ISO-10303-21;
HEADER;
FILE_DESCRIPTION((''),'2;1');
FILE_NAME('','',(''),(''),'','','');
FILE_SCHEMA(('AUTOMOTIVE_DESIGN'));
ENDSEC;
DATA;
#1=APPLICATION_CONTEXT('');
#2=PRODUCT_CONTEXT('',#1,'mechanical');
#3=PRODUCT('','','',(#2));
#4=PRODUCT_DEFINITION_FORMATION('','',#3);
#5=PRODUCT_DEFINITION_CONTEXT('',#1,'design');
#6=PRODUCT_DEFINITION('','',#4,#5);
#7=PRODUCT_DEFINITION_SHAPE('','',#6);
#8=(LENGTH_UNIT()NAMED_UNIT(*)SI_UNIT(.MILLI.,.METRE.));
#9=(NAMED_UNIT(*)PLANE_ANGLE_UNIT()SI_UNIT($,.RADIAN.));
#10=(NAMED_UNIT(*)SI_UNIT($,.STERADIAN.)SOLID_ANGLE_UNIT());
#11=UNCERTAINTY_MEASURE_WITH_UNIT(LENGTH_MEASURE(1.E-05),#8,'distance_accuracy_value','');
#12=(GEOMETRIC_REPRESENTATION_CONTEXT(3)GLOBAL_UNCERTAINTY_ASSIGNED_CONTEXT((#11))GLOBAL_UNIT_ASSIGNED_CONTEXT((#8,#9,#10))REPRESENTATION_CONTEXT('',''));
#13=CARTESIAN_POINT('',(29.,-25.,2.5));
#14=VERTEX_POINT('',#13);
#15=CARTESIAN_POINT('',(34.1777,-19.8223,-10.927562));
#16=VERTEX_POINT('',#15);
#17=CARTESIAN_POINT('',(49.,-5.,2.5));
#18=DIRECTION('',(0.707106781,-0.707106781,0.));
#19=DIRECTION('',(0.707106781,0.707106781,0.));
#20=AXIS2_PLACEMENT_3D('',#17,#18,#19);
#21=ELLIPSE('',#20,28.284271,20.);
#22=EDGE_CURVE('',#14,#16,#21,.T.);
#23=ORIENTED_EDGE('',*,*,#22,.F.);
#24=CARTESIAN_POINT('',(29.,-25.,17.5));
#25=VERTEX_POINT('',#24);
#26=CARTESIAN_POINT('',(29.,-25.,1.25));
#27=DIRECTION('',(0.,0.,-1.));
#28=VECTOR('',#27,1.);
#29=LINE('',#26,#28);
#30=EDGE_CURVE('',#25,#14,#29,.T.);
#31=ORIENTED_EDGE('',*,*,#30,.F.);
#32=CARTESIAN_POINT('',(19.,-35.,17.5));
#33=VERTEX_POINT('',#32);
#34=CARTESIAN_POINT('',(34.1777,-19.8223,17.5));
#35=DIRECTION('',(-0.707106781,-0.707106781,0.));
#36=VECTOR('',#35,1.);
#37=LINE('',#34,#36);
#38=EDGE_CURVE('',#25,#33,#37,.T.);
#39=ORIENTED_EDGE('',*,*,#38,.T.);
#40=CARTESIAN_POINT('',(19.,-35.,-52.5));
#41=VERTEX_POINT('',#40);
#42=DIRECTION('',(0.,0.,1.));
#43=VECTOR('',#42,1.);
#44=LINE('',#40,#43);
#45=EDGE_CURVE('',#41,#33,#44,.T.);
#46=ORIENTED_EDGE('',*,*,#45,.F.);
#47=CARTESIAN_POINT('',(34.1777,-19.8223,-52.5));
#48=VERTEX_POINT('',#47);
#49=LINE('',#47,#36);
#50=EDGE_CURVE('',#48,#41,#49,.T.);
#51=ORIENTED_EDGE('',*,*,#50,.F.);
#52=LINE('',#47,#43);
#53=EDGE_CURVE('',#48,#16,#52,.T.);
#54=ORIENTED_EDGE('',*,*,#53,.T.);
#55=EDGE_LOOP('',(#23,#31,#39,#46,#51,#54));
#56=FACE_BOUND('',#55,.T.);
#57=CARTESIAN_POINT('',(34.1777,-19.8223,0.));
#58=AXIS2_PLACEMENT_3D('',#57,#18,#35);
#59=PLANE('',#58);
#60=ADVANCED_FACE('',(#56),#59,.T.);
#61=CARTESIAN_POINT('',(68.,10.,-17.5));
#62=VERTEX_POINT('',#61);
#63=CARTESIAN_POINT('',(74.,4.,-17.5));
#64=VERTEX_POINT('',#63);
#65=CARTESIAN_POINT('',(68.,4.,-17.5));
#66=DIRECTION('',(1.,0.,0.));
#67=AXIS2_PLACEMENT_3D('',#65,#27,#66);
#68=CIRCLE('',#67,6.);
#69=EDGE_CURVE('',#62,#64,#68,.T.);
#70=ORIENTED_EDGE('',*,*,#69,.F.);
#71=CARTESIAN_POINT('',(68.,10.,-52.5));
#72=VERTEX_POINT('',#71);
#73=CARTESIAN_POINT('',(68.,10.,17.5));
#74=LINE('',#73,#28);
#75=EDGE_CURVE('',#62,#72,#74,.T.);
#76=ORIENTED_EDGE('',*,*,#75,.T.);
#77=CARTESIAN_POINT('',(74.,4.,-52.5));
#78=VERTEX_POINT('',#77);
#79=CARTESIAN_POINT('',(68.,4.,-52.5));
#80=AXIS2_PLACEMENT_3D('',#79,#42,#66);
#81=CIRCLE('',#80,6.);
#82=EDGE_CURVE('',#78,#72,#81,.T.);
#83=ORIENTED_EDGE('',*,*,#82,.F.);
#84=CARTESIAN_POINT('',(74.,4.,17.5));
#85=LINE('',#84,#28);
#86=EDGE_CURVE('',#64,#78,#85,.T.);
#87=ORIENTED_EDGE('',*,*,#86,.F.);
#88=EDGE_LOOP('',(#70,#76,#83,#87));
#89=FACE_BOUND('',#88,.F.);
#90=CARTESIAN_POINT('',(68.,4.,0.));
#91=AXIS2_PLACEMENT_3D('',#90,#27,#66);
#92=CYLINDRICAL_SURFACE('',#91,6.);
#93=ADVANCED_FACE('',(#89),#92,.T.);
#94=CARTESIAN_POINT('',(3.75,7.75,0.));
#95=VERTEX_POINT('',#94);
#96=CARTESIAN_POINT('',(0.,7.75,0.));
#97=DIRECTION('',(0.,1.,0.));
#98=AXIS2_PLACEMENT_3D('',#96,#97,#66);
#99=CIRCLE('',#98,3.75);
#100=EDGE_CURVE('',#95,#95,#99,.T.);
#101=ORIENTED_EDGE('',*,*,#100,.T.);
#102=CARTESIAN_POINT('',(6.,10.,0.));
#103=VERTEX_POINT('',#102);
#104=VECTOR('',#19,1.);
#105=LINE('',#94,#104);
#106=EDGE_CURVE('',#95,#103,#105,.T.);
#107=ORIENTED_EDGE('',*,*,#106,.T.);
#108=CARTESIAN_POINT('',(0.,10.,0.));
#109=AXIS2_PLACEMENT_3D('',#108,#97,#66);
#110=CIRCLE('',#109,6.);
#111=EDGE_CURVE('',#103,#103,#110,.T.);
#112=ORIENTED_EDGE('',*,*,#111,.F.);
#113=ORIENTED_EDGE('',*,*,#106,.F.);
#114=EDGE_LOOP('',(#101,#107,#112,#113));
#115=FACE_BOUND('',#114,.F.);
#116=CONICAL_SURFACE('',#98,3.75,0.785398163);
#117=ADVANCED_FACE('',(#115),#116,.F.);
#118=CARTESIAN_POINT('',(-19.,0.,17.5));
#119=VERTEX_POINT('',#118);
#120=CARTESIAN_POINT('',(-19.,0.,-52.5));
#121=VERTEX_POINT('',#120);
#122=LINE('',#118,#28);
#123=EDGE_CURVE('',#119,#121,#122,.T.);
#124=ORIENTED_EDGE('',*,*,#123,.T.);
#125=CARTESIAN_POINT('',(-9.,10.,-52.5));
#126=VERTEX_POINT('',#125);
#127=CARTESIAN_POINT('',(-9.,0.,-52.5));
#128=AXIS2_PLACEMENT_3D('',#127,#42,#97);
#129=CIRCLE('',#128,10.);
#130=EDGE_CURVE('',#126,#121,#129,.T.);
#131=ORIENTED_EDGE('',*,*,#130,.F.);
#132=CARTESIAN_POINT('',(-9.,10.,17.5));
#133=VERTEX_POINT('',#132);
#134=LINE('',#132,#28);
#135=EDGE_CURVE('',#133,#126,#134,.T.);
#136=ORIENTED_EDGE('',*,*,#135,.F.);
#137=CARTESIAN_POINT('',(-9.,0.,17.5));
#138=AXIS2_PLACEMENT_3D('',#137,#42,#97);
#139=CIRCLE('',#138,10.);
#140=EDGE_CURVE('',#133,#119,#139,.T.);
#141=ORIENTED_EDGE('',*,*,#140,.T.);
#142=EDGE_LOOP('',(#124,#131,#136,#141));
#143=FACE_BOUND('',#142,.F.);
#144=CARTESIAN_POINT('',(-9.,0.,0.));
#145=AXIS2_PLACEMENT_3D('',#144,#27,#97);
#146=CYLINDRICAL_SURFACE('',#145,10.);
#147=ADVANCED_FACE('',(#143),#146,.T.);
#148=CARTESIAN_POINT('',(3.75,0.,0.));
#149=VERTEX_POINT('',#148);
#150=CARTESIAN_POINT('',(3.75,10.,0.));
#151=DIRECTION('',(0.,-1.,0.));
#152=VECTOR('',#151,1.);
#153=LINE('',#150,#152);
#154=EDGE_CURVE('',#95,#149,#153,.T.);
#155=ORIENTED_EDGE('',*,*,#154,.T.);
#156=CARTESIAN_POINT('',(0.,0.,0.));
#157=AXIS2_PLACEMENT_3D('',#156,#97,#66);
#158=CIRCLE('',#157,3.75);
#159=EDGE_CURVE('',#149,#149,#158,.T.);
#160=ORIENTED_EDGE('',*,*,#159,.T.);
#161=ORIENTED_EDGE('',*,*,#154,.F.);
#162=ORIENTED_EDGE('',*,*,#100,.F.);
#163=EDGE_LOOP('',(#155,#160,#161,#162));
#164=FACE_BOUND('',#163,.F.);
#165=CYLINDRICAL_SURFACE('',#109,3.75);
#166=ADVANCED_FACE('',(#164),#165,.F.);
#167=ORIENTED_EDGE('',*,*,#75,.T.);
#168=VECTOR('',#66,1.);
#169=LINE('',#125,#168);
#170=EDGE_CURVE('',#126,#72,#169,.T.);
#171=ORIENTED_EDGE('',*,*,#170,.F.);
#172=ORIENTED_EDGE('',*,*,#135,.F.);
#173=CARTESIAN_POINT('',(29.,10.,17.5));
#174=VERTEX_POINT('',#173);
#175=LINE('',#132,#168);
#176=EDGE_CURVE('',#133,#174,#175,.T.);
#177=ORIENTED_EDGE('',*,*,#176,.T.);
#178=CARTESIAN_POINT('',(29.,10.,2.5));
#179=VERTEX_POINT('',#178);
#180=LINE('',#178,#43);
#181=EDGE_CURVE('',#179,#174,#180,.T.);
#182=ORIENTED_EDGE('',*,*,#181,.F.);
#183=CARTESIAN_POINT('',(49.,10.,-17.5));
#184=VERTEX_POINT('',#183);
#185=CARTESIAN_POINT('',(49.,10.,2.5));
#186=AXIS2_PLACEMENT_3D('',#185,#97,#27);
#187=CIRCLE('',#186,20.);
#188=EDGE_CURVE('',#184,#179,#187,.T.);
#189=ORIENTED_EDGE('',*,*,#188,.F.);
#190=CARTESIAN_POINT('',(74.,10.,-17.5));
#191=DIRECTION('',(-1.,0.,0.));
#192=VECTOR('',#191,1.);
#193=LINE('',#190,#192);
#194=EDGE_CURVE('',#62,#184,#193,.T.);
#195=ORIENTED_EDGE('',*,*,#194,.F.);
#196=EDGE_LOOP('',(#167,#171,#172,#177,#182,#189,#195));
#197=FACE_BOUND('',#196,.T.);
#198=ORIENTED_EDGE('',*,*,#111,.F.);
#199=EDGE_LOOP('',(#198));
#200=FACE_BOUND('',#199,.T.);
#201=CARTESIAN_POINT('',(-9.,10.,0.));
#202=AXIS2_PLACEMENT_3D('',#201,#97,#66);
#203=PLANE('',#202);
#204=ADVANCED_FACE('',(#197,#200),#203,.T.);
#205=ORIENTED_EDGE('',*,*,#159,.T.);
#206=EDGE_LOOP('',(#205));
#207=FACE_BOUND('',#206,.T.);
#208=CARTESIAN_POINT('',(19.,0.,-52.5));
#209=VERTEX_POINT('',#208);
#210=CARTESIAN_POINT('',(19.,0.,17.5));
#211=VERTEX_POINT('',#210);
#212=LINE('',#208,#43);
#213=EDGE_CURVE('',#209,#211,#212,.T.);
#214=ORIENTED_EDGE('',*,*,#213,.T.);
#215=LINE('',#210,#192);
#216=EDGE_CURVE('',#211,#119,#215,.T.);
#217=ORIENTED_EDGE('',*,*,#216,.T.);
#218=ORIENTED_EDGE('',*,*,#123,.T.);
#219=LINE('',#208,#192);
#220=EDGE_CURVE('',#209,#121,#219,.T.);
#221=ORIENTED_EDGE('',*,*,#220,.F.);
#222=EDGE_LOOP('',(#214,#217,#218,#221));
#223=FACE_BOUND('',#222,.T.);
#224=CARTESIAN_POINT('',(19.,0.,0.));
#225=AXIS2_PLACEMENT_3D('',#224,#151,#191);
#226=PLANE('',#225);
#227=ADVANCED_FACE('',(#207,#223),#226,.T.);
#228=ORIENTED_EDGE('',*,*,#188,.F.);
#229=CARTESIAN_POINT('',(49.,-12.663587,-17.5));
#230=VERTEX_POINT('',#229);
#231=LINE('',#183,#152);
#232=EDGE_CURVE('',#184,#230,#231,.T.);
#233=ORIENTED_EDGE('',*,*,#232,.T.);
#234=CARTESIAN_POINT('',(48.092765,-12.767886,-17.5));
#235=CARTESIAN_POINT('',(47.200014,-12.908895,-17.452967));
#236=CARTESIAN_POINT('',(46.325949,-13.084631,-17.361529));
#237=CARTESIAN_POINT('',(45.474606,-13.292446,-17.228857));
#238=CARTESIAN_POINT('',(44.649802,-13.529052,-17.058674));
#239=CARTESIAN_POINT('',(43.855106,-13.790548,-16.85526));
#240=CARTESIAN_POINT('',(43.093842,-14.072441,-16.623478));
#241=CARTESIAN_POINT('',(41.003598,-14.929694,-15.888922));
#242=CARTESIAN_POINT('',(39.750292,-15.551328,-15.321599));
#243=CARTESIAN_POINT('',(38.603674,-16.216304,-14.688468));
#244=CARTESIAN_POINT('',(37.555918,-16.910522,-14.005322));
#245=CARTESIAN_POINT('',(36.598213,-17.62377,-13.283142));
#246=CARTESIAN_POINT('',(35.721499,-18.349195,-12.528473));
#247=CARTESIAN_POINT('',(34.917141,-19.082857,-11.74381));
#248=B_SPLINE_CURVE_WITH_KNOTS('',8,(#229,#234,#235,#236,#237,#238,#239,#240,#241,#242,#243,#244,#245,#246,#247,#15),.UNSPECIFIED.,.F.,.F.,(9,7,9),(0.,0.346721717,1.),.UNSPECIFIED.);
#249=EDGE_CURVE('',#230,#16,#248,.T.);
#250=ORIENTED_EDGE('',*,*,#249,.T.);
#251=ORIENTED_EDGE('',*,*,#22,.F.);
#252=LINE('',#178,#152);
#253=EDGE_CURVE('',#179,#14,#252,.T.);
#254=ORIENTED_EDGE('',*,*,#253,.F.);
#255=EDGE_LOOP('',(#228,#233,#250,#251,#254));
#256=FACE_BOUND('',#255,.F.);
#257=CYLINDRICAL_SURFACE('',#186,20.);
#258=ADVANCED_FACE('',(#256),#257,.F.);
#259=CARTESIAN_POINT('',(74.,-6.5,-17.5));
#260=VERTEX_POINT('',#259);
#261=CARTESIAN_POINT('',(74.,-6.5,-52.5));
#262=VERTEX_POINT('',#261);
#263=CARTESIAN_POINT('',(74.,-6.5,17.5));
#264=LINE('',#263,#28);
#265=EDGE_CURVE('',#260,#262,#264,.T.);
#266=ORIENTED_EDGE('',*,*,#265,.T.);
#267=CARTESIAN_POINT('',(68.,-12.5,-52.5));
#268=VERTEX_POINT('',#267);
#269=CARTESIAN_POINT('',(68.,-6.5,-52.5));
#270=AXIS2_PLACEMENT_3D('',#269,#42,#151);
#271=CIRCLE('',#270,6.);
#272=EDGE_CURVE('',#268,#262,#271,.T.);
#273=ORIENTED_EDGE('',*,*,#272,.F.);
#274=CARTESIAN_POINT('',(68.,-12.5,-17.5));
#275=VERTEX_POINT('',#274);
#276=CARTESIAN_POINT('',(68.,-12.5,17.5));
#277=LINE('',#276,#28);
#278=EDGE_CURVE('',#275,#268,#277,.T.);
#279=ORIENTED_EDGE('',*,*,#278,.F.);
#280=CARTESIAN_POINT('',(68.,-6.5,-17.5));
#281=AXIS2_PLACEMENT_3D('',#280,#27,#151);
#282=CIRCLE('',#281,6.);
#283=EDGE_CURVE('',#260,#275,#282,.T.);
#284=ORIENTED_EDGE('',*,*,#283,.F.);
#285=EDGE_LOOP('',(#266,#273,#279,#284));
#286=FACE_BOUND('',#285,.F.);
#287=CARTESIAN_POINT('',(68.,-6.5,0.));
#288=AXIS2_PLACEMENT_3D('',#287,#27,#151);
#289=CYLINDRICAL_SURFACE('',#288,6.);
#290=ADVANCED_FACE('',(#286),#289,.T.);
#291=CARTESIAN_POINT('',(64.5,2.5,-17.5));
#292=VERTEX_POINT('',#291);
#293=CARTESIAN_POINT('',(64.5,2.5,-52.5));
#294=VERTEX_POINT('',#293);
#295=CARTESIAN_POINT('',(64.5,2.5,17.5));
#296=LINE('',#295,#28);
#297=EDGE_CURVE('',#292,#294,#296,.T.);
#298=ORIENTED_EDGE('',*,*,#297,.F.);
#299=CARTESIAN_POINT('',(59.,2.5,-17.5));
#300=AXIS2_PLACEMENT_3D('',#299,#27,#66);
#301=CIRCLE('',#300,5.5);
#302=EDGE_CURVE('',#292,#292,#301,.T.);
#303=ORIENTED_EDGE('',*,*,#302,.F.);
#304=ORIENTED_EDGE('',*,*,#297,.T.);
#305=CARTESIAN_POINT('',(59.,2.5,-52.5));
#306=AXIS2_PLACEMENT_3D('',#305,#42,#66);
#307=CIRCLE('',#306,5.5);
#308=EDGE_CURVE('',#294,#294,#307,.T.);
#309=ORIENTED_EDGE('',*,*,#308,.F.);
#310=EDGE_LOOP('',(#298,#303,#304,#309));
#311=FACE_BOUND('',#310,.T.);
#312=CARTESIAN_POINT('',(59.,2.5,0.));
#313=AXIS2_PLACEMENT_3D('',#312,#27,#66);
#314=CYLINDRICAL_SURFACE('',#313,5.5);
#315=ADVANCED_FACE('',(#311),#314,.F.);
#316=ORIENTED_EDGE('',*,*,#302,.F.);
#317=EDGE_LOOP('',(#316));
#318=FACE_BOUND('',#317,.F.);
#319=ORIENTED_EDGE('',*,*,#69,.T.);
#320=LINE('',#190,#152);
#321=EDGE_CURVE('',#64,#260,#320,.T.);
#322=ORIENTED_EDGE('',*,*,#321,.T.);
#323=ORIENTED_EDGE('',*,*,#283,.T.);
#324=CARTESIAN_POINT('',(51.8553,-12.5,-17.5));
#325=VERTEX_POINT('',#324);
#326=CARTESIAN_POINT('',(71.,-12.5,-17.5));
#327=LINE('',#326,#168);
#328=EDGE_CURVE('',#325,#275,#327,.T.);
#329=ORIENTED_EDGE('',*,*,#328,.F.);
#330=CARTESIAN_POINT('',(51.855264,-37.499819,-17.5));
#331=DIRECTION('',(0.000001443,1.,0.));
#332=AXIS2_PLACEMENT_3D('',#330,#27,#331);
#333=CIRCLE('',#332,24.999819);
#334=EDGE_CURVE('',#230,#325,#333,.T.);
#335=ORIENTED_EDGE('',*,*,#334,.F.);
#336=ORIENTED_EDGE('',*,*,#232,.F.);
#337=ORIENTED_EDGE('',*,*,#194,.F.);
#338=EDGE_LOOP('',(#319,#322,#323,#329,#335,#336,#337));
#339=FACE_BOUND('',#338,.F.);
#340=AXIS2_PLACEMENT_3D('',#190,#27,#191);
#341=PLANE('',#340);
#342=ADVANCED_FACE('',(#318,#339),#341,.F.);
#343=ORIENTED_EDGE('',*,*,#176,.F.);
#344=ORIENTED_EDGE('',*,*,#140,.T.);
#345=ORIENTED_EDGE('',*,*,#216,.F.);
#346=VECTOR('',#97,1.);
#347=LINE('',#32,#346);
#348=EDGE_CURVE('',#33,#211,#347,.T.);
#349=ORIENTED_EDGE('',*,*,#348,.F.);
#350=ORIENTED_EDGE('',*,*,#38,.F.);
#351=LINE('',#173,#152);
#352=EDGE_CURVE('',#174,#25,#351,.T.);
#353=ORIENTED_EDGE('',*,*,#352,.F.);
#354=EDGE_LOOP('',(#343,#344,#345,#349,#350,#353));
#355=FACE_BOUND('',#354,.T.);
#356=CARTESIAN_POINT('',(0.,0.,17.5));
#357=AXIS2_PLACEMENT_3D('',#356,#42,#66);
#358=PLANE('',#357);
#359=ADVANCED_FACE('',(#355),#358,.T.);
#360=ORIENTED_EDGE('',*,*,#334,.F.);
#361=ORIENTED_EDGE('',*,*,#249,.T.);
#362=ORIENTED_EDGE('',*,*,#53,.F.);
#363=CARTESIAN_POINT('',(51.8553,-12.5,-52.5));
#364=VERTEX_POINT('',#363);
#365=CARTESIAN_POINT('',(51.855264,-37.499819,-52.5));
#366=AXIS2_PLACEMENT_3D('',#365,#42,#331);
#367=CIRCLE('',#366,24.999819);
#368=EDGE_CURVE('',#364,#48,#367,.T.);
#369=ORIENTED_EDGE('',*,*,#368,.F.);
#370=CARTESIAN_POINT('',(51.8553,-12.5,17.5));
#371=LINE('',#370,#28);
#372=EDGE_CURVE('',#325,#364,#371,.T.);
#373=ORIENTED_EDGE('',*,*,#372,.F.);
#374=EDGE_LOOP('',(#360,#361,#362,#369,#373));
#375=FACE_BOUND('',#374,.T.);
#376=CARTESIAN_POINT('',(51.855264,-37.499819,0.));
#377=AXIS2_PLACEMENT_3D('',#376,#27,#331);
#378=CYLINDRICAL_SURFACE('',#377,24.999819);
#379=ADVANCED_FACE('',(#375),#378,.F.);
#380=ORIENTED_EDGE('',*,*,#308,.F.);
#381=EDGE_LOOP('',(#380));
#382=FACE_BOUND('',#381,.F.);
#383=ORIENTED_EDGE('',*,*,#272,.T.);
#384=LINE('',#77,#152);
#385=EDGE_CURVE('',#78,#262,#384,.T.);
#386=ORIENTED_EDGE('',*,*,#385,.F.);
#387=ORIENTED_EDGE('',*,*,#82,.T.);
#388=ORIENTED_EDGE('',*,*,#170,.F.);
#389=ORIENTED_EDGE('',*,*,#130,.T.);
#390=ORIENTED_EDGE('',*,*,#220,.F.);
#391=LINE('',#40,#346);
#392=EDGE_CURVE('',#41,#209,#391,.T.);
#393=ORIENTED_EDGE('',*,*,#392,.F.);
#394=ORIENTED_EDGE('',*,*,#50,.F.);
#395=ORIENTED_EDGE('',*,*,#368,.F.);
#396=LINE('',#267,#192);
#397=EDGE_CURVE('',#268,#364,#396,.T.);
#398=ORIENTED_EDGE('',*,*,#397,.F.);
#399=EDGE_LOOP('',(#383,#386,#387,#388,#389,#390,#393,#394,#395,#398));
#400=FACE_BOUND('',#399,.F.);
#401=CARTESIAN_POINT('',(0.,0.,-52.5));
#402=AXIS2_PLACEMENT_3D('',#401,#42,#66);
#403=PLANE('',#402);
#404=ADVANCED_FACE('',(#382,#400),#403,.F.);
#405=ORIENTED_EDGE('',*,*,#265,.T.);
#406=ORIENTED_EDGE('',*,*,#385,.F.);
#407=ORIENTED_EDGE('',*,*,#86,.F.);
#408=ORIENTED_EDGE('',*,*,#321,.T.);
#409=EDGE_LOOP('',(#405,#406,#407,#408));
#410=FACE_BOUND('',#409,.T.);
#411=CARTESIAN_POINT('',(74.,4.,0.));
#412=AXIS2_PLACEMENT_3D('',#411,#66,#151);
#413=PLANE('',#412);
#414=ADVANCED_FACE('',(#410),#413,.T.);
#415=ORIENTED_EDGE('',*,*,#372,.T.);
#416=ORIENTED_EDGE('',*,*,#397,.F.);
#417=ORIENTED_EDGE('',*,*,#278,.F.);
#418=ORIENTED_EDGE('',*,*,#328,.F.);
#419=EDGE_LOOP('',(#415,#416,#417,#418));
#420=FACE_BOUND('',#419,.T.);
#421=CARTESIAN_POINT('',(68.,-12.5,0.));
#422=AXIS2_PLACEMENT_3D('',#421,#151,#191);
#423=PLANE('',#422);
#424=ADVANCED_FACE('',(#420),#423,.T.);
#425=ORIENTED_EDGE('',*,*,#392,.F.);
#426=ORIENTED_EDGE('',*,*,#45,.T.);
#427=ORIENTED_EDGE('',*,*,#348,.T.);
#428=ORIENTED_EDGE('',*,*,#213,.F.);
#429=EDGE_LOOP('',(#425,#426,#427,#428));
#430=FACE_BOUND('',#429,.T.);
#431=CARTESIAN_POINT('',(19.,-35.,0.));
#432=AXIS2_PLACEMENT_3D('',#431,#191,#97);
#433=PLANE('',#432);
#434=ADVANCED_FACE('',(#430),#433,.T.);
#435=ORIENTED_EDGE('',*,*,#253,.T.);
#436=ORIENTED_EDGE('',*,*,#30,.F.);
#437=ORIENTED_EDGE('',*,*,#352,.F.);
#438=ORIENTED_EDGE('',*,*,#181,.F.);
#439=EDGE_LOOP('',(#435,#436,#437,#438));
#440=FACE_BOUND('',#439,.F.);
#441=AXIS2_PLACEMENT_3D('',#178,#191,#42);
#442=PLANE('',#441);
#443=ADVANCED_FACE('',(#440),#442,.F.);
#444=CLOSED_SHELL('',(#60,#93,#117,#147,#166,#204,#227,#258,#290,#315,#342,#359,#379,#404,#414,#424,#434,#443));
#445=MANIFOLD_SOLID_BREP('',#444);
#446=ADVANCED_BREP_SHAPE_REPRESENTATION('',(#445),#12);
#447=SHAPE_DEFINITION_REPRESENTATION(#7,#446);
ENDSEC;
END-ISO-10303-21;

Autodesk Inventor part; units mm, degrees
ref_plane "YZ Plane" through (0, 0, 0) normal (1, 0, 0) x (0, 1, 0)
ref_plane "XZ Plane" through (0, 0, 0) normal (0, 1, 0) x (-1, 0, 0)
ref_plane "XY Plane" through (0, 0, 0) normal (0, 0, 1) x (1, 0, 0)
sketch "Sketch1" plane through (0, 0, 0) normal (0, 0, 1) x (1, 0, 0)
  line L0 (19, 0) -> (-19, 0)
  arc A0 (-9, 10) -> (-19, 0) centre (-9, 0) ccw
  line L1 (-9, 10) -> (68, 10)
  arc A1 (74, 4) -> (68, 10) centre (68, 4) ccw
  line L2 (74, 4) -> (74, -6.5)
  arc A2 (68, -12.5) -> (74, -6.5) centre (68, -6.5) ccw
  line L3 (68, -12.5) -> (51.8553, -12.5)
  arc A3 (51.8553, -12.5) -> (34.1777, -19.8223) centre (51.8553, -37.5) ccw
  line L4 (34.1777, -19.8223) -> (19, -35)
  line L5 (19, -35) -> (19, 0)
  line L6 (19, 0) -> (19, -22.9675) construction
  circle A4 centre (59, 2.5) radius 5.5
  point P0 (0, 0)
  point P1 (0, 0)
  dimension "d0" = 19
  dimension "d5" = 10
  dimension "d6" = 35
  dimension "d7" = 40
  dimension "d8" = 15
  dimension "d9" = 15
  dimension "d12" = 6
  dimension "d13" = 25
  dimension "d14" = 11
  dimension "d15" = 7.5
  dimension "d30" = 19
  dimension "d31" = 45
extrude "Extrusion1" add sketch "Sketch1" along normal blind 17.5 and the other way blind 52.5
sketch "Sketch3" plane through (-9, 10, 17.5) normal (0, 1, 0) x (1, 0, 0)
  circle A0 centre (9, 17.5) radius 3.75
  circle A1 centre (9, 17.5) radius 6
  dimension "d23" = 7.5
  dimension "d24" = 12
extrude "Extrusion3" cut sketch "Sketch3" against normal through all contours A0
chamfer "Chamfer1" distance 2.25 angle 45 1 edges at (-3.75, 10, 0)
sketch "Sketch5" plane through (-9, 10, 17.5) normal (0, 1, 0) x (1, 0, 0)
  line L0 (28, 70) -> (28, 0) projected
  line L1 (83, 70) -> (83, 0) projected
  line L2 (83, 70) -> (83, 0) projected
  line L3 (83, 70) -> (28, 70)
  line L4 (0, 70) -> (77, 70) projected
  line L5 (28, 0) -> (38, 0)
  line L6 (77, 0) -> (0, 0) projected
  line L7 (83, 70) -> (83, 0) projected
  line L8 (83, 35) -> (58, 35)
  arc A0 (58, 35) -> (38, 15) centre (58, 15) ccw
  line L9 (38, 15) -> (38, 0)
  line L10 (38, 0) -> (83, 0)
  point P0 (9, 17.5)
  dimension "d32" = 10
  dimension "d33" = 35
  dimension "d34" = 20
extrude "Extrusion4" cut sketch "Sketch5" against normal through all contours L9 A0 L8 L1 L10 L6
properties part number "kallax-irja-hook"
